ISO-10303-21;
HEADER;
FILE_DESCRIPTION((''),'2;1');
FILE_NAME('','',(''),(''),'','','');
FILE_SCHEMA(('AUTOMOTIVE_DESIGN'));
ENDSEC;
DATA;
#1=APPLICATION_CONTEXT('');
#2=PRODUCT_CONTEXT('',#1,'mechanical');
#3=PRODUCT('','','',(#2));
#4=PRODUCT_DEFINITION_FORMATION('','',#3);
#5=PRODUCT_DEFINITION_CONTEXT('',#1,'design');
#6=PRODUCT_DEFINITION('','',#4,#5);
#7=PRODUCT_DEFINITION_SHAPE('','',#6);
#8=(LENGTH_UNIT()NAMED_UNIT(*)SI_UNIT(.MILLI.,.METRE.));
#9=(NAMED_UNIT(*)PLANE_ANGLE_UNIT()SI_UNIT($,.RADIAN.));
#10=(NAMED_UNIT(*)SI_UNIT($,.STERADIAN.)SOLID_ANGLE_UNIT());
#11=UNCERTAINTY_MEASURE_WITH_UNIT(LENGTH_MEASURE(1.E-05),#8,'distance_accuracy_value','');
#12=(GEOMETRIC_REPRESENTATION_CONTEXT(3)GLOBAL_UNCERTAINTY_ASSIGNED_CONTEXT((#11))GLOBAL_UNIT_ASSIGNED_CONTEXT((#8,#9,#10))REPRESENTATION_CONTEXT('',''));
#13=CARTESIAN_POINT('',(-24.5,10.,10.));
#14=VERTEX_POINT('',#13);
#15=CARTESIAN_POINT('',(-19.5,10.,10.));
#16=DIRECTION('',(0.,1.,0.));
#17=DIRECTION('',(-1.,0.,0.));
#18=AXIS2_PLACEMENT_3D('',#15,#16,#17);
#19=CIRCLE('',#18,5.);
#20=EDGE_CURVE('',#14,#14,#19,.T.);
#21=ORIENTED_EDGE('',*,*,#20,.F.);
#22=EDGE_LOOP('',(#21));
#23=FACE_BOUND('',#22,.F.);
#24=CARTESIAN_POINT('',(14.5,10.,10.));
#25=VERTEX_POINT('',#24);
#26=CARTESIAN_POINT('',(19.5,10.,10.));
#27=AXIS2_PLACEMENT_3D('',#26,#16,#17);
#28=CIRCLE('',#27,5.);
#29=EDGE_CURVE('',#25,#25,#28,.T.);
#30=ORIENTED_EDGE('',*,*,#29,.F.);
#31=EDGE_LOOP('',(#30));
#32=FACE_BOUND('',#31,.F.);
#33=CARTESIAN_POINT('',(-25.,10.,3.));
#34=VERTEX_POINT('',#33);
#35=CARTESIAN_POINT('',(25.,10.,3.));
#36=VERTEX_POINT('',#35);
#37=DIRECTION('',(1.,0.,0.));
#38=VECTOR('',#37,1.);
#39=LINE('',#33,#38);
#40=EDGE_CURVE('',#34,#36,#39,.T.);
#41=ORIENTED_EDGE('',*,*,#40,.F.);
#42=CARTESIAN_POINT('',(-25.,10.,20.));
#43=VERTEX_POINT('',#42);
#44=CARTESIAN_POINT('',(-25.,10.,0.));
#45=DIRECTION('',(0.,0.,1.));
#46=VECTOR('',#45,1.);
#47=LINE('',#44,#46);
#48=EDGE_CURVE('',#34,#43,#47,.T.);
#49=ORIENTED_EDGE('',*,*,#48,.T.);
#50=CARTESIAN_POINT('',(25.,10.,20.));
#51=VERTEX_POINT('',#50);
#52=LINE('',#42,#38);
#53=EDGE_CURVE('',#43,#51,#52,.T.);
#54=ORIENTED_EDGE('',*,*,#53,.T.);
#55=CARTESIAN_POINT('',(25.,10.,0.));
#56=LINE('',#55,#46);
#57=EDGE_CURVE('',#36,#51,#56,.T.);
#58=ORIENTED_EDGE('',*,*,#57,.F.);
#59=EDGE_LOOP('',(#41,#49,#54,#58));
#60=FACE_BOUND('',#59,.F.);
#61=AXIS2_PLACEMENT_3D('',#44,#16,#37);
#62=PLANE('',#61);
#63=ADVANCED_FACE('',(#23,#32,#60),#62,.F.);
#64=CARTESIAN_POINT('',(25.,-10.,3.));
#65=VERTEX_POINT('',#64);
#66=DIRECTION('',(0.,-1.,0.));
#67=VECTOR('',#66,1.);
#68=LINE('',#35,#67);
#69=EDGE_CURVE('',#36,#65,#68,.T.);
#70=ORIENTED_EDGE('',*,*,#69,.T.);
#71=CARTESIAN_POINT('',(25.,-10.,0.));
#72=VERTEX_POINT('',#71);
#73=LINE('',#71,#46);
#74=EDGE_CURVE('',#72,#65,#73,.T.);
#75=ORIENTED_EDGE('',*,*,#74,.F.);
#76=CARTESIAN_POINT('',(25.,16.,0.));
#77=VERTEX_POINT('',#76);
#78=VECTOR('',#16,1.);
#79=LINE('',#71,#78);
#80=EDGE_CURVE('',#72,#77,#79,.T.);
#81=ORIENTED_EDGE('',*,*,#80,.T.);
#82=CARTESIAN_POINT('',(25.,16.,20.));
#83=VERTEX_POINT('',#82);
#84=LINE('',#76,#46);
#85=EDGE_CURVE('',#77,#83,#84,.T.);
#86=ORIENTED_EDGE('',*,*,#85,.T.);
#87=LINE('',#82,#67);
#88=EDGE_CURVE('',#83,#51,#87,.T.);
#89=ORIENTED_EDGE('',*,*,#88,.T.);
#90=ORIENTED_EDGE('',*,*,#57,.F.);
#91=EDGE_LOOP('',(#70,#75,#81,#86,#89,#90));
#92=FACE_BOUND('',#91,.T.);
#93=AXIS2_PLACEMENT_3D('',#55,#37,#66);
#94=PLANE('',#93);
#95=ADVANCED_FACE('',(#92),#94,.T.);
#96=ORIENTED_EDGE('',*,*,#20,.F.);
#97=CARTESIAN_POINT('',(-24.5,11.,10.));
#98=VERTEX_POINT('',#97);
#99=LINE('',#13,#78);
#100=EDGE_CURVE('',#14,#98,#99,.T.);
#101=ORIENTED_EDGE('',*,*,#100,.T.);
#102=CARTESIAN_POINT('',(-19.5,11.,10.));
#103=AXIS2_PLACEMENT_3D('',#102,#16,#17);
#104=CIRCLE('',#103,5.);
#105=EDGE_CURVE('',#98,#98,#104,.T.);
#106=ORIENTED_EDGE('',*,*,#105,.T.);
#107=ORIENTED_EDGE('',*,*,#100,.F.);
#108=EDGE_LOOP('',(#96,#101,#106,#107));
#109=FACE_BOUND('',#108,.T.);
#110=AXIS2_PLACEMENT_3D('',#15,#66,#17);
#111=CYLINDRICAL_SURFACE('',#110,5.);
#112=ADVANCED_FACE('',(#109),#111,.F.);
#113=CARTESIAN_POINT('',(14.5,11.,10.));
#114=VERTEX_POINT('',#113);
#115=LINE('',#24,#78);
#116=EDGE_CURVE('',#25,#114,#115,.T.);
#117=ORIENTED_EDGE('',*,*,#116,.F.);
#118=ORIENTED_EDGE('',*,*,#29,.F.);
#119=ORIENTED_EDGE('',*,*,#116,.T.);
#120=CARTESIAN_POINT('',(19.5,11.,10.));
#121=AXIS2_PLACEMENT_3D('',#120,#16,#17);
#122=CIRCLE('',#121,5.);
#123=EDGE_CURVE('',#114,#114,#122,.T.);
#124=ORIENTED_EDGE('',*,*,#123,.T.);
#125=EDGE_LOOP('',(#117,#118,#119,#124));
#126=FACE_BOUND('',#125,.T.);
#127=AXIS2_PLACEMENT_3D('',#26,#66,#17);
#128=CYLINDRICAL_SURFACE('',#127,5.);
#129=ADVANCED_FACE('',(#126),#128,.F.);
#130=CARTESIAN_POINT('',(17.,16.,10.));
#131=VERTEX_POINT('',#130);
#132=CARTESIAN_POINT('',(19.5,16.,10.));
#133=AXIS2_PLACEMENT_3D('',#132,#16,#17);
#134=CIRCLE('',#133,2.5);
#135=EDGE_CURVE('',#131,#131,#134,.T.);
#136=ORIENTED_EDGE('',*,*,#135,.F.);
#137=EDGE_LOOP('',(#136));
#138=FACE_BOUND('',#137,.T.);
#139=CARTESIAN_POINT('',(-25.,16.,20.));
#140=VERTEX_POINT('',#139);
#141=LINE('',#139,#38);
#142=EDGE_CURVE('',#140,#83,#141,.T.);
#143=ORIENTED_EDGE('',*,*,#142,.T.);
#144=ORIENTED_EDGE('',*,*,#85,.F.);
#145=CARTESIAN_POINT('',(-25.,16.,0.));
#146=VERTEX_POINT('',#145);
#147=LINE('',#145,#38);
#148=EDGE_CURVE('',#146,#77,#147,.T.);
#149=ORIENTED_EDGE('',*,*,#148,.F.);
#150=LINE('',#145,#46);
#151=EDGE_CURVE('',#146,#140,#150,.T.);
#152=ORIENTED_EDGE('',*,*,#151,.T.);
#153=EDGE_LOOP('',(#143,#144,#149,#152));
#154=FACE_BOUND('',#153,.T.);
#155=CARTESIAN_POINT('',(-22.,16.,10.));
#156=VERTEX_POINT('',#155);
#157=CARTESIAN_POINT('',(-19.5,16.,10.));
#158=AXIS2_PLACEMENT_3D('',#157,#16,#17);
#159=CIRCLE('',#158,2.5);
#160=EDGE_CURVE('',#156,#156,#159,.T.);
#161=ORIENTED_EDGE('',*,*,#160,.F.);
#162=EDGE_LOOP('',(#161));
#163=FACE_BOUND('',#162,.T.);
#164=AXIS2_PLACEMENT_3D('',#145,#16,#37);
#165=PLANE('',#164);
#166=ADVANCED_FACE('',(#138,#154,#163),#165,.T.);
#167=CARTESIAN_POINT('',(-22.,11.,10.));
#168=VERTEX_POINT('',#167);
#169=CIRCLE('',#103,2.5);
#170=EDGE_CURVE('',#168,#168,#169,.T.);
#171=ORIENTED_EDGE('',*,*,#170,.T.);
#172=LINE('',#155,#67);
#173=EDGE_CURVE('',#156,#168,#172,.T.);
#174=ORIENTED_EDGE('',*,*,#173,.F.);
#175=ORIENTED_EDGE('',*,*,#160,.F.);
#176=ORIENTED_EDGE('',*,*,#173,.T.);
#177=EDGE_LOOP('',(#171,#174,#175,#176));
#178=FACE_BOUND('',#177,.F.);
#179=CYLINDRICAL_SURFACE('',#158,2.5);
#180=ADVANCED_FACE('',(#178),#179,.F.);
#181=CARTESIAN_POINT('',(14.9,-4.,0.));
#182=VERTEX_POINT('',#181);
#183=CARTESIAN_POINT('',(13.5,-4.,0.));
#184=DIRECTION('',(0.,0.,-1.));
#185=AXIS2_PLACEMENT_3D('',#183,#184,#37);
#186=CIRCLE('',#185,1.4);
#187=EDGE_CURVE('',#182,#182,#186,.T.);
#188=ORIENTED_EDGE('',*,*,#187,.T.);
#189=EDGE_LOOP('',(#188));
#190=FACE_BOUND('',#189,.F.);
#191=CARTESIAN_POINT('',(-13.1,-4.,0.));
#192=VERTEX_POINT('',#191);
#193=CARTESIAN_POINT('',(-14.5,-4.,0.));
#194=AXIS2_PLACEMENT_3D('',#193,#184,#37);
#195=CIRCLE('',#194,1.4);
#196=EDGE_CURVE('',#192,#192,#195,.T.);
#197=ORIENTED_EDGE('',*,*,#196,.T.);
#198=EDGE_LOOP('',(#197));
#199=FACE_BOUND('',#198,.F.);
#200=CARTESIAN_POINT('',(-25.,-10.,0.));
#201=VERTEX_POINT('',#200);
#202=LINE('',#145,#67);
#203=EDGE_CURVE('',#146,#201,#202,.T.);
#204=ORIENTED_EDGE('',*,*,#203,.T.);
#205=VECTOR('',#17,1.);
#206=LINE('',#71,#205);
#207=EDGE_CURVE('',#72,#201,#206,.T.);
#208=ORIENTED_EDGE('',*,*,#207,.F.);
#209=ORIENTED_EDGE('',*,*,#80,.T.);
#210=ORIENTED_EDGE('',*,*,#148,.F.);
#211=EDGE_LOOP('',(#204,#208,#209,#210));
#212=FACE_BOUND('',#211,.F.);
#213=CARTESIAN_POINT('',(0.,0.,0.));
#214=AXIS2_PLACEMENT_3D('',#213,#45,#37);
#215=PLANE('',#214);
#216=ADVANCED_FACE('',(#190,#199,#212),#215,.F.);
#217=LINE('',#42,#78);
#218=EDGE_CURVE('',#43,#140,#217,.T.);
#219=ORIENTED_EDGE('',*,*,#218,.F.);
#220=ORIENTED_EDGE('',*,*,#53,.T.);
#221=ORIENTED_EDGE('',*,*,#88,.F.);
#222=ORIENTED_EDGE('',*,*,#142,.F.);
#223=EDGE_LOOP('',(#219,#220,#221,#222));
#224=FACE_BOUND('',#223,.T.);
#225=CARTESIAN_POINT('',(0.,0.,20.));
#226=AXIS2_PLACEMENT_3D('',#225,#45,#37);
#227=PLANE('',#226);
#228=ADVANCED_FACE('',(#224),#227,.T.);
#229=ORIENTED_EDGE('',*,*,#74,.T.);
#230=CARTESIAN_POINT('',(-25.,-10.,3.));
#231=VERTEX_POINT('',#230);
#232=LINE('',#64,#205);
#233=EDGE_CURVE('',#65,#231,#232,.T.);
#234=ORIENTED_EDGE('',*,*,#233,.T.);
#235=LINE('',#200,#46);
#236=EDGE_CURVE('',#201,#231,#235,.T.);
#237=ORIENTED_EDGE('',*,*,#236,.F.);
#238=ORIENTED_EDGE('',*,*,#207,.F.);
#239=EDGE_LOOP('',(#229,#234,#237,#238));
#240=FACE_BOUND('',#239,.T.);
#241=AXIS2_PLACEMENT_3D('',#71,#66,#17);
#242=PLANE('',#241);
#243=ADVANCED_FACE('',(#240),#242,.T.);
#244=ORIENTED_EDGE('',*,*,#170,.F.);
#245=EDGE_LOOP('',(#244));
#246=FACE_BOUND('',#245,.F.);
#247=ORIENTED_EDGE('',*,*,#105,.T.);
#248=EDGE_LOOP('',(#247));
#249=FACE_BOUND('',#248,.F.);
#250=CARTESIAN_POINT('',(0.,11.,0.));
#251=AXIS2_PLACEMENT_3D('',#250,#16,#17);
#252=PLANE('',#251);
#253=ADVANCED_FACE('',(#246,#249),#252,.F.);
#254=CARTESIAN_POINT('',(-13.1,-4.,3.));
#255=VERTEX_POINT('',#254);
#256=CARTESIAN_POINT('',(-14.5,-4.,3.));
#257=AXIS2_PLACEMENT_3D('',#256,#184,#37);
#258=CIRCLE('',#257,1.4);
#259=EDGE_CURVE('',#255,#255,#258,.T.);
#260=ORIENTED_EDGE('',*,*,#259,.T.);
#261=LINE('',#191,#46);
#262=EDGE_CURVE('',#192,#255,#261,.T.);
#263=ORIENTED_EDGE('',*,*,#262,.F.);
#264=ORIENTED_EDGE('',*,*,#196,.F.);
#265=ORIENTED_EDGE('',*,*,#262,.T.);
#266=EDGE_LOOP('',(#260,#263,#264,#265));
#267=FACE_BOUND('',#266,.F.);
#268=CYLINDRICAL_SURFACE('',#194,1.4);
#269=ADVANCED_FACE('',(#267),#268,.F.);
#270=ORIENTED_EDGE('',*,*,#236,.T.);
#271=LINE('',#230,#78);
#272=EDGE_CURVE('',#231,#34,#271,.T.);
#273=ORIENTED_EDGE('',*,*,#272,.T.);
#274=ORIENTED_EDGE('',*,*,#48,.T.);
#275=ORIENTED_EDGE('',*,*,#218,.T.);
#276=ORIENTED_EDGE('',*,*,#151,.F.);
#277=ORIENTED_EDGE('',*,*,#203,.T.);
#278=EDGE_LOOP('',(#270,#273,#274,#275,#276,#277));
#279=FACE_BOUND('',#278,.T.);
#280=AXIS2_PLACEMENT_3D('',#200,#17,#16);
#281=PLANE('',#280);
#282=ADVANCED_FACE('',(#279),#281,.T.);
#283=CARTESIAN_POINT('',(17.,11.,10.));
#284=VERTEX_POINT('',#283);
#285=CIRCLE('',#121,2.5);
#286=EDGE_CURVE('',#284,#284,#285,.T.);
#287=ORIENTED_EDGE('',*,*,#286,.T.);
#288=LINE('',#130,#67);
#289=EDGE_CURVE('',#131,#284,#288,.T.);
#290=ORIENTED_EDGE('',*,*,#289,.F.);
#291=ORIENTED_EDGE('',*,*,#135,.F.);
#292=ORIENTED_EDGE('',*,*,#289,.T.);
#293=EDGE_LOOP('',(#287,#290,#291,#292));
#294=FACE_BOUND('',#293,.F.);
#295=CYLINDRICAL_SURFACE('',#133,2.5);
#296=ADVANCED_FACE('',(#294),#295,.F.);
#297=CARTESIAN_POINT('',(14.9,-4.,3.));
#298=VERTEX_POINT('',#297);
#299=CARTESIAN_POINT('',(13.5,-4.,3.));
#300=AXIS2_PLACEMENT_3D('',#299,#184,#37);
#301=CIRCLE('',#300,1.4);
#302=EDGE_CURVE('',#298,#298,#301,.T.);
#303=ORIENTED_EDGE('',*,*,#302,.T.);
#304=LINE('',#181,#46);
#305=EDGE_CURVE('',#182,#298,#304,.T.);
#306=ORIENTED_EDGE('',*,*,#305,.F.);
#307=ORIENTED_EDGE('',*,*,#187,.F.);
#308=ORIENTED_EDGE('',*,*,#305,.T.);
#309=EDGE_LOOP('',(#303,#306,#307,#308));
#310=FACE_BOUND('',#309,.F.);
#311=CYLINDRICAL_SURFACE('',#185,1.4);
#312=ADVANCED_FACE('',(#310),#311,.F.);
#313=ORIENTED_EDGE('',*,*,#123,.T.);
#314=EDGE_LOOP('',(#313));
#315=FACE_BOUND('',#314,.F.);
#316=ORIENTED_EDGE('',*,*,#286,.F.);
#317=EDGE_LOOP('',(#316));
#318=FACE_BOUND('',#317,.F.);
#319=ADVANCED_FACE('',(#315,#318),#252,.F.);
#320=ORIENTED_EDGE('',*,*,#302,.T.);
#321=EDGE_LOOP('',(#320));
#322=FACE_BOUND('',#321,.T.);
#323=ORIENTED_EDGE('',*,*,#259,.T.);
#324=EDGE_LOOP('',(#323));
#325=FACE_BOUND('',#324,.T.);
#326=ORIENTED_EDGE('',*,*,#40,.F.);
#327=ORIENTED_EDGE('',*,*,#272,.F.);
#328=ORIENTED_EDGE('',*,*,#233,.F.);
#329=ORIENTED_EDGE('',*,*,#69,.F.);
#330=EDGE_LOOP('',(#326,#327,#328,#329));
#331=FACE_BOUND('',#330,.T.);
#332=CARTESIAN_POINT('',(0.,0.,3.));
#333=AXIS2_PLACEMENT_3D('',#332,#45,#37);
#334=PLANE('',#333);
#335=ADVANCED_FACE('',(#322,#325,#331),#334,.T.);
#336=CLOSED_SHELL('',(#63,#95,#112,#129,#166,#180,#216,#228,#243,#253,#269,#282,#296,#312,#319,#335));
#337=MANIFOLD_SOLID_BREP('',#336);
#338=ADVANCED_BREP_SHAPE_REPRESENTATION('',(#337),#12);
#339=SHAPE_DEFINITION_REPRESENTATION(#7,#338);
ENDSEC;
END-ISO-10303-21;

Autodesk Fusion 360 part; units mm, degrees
sketch "Sketch1" plane through (0, 0, 0) normal (0, 0, 1) x (1, 0, 0)
  line L0 (25, -10) -> (-25, -10)
  line L1 (-25, -10) -> (-25, 10)
  line L2 (-25, 10) -> (25, 10)
  line L3 (25, 10) -> (25, -10)
  line L4 (25, -10) -> (-25, 10) construction
  line L5 (-25, -10) -> (25, 10) construction
  line L6 (25, 10) -> (-25, 10)
  line L7 (-25, 10) -> (-25, 16)
  line L8 (-25, 16) -> (25, 16)
  line L9 (25, 16) -> (25, 10)
  dimension "d1" = 50
  dimension "d2" = 20
  dimension "d3" = 6
  dimension "d27" = 50
extrude "Extrude1" add sketch "Sketch1" along normal blind 3 contours L0 L1 L2 L3 L6
extrude "Extrude2" add sketch "Sketch1" along normal blind 20 contours L2 L6 L7 L8 L9
sketch "Sketch2" plane through (0, 16, 0) normal (0, 1, 0) x (-1, 0, 0)
  line L0 (-25, 0) -> (25, 0)
  line L1 (25, 0) -> (25, 20)
  line L2 (25, 20) -> (-25, 20)
  line L3 (-25, 20) -> (-25, 0)
  circle A0 centre (19.5, 10) radius 2.5
  circle A1 centre (-19.5, 10) radius 2.5
  circle A2 centre (-19.5, 10) radius 5
  circle A3 centre (19.5, 10) radius 5
  dimension "d8" = 5
  dimension "d9" = 5
  dimension "d10" = 5.5
  dimension "d11" = 5.5
  dimension "d12" = 10
  dimension "d13" = 10
extrude "Extrude3" cut sketch "Sketch2" against normal up to surface (6 mm away) contours A0 | A1
extrude "Extrude4" cut sketch "Sketch2" along normal blind 1 from surface at -6 contours A2 | A3
sketch "Sketch3" plane through (0, 0, 0) normal (0, 0, -1) x (1, 0, 0)
  line L0 (25, -16) -> (25, 10)
  line L1 (25, 10) -> (-25, 10)
  line L2 (-25, 10) -> (-25, -16)
  line L3 (-25, -16) -> (25, -16)
  circle A0 centre (-14.5, 4) radius 1.4
  circle A1 centre (13.5, 4) radius 1.4
  dimension "d19" = 2.8
  dimension "d20" = 2.8
  dimension "d21" = 28
  dimension "d22" = 6
  dimension "d23" = 6
  dimension "d24" = 10.5
extrude "Extrude5" cut sketch "Sketch3" against normal up to surface (3 mm away) contours A0 | A1
equation "d11 = d10"
equation "d23 = d22"
equation "d24 = ( 50 mm - 29 mm ) / 2"
equation "d27 = d1"
